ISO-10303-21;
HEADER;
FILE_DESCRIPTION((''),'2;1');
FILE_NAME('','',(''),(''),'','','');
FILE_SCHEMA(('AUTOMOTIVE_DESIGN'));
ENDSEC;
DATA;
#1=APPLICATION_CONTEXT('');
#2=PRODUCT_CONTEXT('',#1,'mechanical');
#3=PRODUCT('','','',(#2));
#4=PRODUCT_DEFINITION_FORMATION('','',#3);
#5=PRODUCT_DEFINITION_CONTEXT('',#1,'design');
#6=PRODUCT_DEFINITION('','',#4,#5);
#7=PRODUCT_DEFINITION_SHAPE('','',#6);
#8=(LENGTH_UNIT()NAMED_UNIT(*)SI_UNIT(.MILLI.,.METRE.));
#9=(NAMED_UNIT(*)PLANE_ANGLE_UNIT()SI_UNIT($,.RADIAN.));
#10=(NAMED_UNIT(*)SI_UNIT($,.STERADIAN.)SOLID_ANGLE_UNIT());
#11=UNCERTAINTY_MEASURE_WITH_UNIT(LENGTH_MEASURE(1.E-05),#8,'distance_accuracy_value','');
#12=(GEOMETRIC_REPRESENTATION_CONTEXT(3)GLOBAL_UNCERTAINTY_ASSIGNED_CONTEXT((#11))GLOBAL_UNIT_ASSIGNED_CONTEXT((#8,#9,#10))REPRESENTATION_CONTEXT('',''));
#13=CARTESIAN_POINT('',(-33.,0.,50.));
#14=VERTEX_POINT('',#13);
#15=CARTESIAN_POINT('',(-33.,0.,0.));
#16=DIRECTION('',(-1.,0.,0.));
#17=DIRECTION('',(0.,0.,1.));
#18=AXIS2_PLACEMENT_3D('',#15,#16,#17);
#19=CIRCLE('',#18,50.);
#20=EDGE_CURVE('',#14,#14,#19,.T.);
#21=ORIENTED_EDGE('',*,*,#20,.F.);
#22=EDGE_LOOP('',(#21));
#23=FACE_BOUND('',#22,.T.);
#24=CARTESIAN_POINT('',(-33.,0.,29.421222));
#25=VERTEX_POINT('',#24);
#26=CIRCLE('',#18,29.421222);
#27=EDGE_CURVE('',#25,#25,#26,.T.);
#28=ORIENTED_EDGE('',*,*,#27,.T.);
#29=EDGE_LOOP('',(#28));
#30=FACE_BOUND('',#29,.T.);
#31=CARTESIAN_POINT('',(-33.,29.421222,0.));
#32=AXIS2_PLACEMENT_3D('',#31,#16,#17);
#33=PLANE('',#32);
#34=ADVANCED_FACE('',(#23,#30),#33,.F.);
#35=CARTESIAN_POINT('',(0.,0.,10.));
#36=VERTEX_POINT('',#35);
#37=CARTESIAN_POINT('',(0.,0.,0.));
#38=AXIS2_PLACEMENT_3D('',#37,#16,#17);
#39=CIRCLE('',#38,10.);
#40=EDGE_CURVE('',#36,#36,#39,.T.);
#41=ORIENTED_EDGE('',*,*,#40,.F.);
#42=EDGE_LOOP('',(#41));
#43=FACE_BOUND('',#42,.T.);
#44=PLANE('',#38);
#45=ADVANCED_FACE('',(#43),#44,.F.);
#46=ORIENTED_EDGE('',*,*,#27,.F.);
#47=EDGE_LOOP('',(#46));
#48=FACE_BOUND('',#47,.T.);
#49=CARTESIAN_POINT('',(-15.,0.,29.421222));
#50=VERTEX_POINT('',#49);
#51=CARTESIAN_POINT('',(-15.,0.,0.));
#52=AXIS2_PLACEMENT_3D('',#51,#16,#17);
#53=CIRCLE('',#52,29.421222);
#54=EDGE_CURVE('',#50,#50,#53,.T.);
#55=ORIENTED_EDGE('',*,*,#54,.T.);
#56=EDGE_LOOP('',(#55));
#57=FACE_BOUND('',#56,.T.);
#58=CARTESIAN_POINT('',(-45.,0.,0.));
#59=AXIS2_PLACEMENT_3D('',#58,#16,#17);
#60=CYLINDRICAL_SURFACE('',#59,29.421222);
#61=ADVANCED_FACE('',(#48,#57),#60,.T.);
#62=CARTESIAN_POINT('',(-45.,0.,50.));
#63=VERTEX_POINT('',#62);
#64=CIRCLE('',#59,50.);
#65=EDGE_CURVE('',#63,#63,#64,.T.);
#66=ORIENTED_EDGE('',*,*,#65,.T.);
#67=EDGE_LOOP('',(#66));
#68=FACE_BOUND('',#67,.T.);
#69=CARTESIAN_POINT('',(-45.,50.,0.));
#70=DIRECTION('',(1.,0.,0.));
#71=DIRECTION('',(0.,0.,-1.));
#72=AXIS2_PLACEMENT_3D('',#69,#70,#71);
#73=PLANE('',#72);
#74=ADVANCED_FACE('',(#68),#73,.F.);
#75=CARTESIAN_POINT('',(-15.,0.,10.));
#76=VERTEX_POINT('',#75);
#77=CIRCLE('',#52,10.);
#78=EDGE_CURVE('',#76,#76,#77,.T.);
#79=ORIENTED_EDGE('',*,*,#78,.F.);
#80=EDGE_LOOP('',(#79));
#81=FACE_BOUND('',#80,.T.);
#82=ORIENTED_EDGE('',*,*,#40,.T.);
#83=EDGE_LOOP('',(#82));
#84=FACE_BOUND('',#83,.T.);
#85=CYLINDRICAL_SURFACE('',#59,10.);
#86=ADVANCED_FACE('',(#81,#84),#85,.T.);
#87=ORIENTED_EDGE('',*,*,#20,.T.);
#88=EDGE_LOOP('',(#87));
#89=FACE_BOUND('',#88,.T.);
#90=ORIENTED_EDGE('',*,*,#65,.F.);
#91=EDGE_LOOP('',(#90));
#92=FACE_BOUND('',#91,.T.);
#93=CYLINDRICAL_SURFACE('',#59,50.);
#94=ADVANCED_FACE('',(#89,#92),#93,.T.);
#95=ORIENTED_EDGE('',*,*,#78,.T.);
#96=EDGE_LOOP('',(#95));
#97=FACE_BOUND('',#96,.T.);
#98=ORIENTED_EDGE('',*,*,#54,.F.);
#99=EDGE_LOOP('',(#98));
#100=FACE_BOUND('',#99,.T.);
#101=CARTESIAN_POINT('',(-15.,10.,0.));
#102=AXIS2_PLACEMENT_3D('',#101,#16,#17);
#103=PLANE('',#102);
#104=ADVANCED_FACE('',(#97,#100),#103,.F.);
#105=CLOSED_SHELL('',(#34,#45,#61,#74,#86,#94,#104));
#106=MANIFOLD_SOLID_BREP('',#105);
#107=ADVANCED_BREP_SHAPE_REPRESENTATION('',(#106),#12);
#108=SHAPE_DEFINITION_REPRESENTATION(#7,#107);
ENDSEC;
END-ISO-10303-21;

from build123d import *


with BuildPart() as part:
    # Sketch1 → Revolve1 (revolve)
    with BuildSketch(Plane.XY, mode=Mode.PRIVATE) as revolve1_sk:
        Polygon((0, 10), (-15, 10), (-15, 29.421221865), (-33, 29.421221865), (-33, 50), (-45, 50), (-45, 0), (0, 0), align=None)
    revolve(revolve1_sk.sketch.rotate(Axis((-45, 0, 0), (1, 0, 0)), 90), axis=Axis((-45, 0, 0), (1, 0, 0)))


solid = part.part
